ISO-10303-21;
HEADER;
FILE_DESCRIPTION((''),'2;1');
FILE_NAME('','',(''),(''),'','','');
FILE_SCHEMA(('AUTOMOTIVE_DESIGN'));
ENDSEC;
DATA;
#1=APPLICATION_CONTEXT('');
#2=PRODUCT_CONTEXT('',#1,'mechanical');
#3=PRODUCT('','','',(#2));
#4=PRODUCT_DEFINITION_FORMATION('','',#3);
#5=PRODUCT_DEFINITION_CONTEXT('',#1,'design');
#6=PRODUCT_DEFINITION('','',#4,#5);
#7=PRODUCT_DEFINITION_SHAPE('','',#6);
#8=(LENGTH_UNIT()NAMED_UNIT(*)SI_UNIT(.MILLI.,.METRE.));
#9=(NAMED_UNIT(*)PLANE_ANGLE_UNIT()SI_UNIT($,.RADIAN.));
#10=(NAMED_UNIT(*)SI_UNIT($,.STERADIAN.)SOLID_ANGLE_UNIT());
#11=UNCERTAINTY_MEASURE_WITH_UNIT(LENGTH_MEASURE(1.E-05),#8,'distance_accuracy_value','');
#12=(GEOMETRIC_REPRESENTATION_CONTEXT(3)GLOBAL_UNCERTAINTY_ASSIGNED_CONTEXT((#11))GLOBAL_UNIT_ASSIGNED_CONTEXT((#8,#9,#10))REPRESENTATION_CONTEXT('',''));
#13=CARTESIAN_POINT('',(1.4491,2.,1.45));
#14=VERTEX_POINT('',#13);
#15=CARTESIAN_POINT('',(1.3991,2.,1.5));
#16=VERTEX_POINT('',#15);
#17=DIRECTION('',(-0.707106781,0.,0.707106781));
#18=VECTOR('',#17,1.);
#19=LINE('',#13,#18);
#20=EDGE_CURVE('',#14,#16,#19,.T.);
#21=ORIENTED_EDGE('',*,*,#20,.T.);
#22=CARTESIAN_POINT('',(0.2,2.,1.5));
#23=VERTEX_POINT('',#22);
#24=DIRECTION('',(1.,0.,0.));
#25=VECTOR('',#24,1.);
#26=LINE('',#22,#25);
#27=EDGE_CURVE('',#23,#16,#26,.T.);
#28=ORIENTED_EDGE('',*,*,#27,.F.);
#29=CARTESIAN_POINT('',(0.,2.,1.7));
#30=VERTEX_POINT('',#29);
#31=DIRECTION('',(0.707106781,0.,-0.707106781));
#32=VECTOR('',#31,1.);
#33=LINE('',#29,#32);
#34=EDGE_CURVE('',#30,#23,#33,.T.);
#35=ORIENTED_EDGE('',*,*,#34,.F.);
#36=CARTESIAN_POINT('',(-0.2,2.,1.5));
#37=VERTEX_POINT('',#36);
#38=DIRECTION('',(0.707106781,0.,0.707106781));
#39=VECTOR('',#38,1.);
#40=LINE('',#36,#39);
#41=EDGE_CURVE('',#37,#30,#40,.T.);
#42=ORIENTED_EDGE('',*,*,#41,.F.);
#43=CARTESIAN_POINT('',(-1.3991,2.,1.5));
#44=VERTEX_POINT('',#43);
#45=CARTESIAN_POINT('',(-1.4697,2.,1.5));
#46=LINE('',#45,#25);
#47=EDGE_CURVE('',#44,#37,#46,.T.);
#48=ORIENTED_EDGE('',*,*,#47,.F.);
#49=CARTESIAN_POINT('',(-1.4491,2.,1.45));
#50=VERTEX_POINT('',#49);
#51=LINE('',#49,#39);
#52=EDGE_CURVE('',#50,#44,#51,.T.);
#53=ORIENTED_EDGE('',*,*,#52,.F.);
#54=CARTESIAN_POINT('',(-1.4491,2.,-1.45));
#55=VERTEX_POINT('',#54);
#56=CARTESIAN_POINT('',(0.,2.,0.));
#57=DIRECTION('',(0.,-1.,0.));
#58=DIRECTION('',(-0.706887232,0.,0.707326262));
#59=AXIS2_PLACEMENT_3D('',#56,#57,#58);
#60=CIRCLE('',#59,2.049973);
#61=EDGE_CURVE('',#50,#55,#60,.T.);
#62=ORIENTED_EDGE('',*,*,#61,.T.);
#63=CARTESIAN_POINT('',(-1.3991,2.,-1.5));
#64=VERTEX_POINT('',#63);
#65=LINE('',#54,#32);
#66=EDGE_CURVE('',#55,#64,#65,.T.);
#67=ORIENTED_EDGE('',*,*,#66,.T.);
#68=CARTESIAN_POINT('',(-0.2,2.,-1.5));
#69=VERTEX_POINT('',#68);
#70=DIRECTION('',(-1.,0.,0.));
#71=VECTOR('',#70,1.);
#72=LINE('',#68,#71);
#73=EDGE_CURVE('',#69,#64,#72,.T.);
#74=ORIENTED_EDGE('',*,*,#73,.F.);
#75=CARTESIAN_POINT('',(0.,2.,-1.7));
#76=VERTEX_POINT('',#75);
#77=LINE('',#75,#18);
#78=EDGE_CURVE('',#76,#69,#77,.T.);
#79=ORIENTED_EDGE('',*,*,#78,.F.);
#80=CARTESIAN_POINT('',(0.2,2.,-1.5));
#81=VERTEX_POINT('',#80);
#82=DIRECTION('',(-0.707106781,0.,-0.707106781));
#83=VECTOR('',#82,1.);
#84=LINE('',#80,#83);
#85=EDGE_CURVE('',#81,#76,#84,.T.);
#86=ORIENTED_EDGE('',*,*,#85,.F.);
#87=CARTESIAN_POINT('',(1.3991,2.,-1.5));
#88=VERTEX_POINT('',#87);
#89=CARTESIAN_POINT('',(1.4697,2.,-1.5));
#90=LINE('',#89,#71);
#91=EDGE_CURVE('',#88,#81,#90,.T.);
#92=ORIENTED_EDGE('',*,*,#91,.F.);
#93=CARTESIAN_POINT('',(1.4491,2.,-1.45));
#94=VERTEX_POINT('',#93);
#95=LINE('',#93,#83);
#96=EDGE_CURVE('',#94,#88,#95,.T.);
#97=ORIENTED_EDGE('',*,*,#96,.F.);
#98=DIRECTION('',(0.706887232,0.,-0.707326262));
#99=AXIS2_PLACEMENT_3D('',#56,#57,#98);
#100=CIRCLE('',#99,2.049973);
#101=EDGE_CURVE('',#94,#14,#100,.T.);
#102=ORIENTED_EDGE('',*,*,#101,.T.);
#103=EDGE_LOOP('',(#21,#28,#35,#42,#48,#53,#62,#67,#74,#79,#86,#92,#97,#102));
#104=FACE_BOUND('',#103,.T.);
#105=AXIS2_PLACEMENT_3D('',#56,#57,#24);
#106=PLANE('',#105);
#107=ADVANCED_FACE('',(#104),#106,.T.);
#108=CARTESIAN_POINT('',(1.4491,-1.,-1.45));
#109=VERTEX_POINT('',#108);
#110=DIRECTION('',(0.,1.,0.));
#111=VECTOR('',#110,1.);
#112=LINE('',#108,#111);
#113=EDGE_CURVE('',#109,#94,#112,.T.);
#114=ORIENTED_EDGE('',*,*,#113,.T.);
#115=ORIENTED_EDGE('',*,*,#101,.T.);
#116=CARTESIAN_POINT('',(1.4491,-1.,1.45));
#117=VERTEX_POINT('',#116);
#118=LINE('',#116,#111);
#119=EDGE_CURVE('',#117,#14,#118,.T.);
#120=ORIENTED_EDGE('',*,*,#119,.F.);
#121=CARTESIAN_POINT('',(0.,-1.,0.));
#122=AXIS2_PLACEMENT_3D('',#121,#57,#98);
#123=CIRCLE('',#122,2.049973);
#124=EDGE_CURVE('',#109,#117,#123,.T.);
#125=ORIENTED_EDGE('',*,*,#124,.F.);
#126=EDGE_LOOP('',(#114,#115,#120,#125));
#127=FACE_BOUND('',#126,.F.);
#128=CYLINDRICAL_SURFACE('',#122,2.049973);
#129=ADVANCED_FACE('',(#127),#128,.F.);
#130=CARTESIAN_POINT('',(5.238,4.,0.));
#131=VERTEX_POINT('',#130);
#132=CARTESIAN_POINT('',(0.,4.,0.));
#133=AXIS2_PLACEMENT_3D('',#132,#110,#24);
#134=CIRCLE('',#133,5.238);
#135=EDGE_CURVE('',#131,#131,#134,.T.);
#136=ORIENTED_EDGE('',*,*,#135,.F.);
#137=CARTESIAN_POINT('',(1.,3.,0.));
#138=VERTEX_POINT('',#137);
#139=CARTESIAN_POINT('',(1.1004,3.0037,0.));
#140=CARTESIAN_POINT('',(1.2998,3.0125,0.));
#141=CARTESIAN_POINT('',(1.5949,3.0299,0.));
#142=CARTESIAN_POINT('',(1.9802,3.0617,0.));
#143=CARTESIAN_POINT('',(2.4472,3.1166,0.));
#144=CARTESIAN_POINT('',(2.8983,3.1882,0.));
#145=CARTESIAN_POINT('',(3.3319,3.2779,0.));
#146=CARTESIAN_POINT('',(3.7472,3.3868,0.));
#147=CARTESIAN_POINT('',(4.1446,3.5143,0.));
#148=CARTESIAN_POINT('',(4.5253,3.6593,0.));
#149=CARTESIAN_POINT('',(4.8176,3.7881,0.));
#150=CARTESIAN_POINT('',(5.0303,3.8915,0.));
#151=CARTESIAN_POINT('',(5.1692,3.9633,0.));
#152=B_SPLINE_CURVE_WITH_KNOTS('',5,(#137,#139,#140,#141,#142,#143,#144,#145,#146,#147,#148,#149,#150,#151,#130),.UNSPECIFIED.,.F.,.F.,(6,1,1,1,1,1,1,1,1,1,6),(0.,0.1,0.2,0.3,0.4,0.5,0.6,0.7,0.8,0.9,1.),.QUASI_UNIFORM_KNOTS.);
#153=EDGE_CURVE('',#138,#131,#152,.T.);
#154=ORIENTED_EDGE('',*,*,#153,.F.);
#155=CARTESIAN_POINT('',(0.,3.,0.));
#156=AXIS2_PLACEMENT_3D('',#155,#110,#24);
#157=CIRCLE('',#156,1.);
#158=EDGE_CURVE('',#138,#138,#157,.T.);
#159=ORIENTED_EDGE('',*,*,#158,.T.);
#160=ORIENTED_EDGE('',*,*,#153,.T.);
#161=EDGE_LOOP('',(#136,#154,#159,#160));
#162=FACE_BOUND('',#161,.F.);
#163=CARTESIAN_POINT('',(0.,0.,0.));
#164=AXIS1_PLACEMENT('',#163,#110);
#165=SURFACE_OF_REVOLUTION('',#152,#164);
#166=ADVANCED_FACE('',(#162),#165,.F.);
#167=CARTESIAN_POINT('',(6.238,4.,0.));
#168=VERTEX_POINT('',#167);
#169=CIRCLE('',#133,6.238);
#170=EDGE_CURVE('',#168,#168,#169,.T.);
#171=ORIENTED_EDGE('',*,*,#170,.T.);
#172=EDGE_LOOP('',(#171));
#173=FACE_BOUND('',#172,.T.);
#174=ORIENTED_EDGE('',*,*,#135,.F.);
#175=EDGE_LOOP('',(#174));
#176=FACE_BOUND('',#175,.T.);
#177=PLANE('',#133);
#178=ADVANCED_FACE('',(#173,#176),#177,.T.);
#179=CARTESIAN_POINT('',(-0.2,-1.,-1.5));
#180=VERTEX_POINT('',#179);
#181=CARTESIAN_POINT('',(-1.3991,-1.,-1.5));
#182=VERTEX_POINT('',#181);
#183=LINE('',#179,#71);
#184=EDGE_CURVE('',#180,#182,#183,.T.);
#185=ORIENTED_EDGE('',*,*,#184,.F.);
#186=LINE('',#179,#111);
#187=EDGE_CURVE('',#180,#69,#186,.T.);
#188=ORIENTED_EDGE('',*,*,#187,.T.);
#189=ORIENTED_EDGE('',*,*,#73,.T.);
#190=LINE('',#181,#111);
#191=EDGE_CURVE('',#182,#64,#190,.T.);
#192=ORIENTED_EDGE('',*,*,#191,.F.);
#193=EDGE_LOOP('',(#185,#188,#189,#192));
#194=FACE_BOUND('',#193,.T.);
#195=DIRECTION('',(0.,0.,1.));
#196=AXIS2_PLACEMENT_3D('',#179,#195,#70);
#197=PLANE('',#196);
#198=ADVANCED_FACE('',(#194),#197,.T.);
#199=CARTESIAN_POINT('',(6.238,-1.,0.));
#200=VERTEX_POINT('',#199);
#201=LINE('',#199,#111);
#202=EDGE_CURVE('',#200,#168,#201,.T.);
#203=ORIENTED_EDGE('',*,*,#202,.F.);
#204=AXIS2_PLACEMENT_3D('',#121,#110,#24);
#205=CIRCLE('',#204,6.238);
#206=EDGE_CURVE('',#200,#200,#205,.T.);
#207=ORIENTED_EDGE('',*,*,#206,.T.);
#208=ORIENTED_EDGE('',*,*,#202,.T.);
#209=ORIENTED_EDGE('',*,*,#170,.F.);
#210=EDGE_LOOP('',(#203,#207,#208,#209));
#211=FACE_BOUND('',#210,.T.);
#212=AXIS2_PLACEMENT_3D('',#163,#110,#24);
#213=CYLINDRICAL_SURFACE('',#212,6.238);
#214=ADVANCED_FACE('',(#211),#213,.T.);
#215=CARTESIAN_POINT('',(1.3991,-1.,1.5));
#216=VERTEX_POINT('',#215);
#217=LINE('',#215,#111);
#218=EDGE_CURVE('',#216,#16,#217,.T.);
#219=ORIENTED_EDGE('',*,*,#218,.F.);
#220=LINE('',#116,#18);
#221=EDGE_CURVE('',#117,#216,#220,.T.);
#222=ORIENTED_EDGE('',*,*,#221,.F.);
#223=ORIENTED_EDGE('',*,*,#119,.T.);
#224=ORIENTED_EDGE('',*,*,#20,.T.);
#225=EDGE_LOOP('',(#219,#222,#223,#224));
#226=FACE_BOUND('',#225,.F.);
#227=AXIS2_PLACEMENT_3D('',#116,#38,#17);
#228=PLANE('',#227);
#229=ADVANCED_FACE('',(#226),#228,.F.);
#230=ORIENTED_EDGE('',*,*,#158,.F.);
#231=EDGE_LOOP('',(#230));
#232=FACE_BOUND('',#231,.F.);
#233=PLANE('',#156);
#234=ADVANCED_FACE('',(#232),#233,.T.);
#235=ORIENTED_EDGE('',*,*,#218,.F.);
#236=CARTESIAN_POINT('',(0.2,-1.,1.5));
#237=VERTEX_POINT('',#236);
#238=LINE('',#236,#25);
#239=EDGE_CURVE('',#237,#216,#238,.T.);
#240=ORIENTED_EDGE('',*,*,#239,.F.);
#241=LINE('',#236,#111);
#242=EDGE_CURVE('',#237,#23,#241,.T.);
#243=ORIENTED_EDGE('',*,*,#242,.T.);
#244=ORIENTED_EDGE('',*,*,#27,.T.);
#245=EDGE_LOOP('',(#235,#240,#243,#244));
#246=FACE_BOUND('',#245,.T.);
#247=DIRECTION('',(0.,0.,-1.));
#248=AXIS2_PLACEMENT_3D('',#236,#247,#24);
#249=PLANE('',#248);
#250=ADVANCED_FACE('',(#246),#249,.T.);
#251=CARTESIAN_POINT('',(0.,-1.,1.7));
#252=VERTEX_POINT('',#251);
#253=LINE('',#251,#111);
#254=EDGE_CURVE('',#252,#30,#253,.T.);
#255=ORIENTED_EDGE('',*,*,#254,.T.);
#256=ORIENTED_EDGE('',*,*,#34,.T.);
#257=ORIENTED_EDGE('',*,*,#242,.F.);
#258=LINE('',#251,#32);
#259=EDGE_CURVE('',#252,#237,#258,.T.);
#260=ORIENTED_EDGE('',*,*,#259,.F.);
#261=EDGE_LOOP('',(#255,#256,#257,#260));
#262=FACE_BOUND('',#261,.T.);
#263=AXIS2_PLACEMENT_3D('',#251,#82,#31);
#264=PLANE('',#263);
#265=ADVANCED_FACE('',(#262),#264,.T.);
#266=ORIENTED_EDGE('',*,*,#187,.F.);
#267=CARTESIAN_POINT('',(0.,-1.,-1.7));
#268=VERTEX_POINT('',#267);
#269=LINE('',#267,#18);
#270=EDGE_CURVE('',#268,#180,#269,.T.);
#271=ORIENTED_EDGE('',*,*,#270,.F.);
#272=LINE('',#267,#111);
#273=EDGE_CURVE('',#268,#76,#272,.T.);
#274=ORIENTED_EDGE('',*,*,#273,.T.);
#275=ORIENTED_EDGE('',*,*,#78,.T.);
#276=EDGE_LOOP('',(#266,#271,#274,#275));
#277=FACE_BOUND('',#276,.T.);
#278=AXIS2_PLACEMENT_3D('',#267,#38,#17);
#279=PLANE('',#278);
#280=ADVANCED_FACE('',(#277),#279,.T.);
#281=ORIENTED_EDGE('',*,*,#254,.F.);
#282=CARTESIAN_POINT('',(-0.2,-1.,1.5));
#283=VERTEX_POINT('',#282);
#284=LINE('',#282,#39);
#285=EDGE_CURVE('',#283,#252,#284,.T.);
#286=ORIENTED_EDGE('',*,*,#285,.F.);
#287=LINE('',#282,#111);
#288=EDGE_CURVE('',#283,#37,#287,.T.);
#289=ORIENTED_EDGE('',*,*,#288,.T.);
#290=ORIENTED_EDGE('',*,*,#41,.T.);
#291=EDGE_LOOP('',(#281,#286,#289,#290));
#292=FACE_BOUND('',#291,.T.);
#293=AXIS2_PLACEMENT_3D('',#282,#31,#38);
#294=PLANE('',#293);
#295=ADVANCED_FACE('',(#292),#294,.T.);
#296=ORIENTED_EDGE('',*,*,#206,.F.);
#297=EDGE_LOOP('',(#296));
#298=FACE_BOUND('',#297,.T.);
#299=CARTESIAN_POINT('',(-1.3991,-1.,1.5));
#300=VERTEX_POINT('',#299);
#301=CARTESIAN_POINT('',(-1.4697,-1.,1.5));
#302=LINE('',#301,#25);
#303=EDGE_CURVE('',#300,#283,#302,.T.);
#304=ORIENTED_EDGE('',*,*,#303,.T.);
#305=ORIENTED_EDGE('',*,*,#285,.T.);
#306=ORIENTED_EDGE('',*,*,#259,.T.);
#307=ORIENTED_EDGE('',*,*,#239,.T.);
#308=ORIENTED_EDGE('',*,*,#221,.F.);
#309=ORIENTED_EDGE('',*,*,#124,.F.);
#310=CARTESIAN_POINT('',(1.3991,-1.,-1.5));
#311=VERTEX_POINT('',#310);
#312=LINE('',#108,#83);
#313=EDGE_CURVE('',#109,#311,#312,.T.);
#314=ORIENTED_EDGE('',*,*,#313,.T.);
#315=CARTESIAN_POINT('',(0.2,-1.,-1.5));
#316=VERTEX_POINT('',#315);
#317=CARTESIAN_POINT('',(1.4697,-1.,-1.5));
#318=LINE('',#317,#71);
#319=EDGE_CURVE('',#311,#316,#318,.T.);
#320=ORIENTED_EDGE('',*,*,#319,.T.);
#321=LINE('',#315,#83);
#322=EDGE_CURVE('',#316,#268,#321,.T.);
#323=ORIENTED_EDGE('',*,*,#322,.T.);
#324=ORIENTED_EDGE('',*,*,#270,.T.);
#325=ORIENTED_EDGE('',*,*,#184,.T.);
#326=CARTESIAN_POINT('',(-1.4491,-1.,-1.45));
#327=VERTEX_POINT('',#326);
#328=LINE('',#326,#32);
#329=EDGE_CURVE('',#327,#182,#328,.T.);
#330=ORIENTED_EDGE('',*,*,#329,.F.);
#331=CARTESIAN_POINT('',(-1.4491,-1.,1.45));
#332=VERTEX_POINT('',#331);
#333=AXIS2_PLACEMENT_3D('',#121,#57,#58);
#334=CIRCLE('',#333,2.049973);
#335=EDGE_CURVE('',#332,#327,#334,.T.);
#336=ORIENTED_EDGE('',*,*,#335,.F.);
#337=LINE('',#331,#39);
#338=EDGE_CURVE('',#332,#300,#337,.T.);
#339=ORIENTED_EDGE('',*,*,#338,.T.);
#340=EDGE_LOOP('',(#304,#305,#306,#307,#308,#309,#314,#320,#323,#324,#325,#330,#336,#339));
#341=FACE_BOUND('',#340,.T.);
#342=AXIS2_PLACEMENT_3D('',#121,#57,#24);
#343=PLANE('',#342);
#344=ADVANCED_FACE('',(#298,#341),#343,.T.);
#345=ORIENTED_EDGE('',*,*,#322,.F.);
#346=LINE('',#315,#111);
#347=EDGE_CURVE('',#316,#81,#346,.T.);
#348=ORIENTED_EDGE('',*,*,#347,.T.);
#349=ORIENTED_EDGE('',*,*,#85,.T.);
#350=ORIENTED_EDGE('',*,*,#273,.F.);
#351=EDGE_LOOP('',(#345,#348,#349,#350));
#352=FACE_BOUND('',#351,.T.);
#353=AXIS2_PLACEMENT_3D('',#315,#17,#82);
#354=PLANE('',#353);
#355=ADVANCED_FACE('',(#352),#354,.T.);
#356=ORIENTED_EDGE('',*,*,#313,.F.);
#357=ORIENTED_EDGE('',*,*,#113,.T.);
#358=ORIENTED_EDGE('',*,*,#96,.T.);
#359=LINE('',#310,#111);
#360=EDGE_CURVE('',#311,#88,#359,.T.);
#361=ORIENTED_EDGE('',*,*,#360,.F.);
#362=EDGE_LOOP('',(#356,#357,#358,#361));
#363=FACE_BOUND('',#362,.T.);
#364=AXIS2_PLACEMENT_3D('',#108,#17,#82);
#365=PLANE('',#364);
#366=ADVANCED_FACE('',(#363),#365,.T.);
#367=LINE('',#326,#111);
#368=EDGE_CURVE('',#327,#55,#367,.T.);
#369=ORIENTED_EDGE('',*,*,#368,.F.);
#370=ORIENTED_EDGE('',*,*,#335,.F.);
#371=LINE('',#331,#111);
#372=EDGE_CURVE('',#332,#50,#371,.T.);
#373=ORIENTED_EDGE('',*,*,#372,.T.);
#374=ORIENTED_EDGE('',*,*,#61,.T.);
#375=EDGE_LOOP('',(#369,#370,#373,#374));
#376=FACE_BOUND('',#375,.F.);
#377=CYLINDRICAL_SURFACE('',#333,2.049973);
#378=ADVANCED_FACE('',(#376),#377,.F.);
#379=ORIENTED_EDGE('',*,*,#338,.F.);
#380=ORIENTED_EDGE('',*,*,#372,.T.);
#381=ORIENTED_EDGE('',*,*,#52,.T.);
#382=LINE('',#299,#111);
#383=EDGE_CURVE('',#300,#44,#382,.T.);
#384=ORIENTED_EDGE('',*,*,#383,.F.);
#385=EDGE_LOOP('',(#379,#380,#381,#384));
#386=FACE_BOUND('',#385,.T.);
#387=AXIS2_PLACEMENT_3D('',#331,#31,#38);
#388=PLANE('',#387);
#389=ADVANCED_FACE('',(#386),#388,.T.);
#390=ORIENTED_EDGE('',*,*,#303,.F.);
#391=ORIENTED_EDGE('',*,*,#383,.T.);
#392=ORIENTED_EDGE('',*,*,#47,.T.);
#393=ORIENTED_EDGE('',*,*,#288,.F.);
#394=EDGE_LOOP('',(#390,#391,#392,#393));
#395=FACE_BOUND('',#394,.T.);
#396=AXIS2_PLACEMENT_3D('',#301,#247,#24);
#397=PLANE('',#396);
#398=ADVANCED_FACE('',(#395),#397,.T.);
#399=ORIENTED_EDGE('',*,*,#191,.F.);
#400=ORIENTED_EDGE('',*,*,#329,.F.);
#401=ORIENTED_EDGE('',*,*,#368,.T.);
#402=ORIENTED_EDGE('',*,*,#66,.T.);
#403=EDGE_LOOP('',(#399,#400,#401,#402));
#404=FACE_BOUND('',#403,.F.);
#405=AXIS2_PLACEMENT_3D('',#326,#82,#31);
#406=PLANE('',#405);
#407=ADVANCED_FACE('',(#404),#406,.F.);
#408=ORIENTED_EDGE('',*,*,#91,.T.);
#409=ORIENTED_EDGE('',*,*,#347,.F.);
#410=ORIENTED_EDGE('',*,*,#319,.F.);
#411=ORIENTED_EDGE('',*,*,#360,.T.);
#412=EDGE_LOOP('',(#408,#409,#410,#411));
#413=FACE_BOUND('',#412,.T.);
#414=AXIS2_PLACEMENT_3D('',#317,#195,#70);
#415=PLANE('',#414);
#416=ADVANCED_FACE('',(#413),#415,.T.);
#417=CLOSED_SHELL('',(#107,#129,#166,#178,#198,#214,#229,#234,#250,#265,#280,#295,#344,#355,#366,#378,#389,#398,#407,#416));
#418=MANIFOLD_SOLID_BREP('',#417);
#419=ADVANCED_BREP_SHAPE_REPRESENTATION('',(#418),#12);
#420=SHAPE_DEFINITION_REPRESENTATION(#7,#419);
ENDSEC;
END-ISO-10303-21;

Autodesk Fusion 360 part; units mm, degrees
sketch "スケッチ1" plane through (0, 0, 0) normal (0, 0, 1) x (1, 0, 0)
  line L0 (0, 0) -> (0.238, 0)
  line L1 (0.238, 0) -> (6.238, 0)
  line L2 (6.238, 0) -> (6.238, 4)
  line L3 (0, 0) -> (0, 3)
  line L4 (0, 3) -> (1, 3)
  line L5 (6.238, 4) -> (5.238, 4)
  spline S0 degree 5 poles (1, 3) (1.1004, 3.0037) (1.2998, 3.0125) (1.5949, 3.0299) (1.9802, 3.0617) (2.4472, 3.1166) (2.8983, 3.1882) (3.3319, 3.2779) (3.7472, 3.3868) (4.1446, 3.5143) (4.5253, 3.6593) (4.8176, 3.7881) (5.0303, 3.8915) (5.1692, 3.9633) (5.238, 4) knots 0 0 0 0 0 0 0.1 0.2 0.3 0.4 0.5 0.6 0.7 0.8 0.9 1 1 1 1 1 1
  point P0 (3.4, 3.3)
  dimension "d1" = 6
  dimension "d2" = 4
  dimension "d3" = 3
  dimension "d4" = 1
revolve "回転1" add sketch "スケッチ1" angle 360 about axis through (0, 0, 0) along (0, 1, 0)
sketch "スケッチ2" plane through (0, 0, 0) normal (0, -1, 0) x (1, 0, 0)
  circle A0 centre (0, 0) radius 6.238
  circle A1 centre (0, 0) radius 2.1
  line L0 (0, 0) -> (0, 1.5)
  line L1 (0, 1.5) -> (1.4697, 1.5)
  line L2 (0, 1.5) -> (-1.4697, 1.5)
  line L3 (0, 0) -> (0, -1.5)
  line L4 (0, -1.5) -> (1.4697, -1.5)
  line L5 (0, -1.5) -> (-1.4697, -1.5)
  dimension "d6" = 4.2
  dimension "d7" = 1.5
  dimension "d8" = 1.5
extrude "押し出し1" cut sketch "スケッチ2" against normal blind 2 contours A1 L0 L1 L3 L4 | A1 L0 L2 L3 L5
sketch "スケッチ3" plane through (0, 0, 0) normal (0, -1, 0) x (1, 0, 0)
  line L0 (-1.4697, 1.5) -> (1.4697, 1.5)
  arc A0 (1.4697, -1.5) -> (1.4697, 1.5) centre (0, 0) ccw
  line L1 (1.4697, -1.5) -> (-1.4697, -1.5)
  arc A1 (-1.4697, 1.5) -> (-1.4697, -1.5) centre (0, 0) ccw
  circle A2 centre (0, 0) radius 6.238
  line L2 (0, 1.5) -> (0.2, 1.5)
  line L3 (0, 1.5) -> (-0.2, 1.5)
  line L4 (0, 1.5) -> (0, 1.7)
  line L5 (-0.2, 1.5) -> (0, 1.7)
  line L6 (0, 1.7) -> (0.2, 1.5)
  line L7 (0, -1.5) -> (0.2, -1.5)
  line L8 (0, -1.5) -> (-0.2, -1.5)
  line L9 (0, -1.5) -> (0, -1.7)
  line L10 (0, -1.7) -> (0.2, -1.5)
  line L11 (-0.2, -1.5) -> (0, -1.7)
  dimension "d11" = 0.2
  dimension "d12" = 0.2
  dimension "d13" = 0.2
  dimension "d14" = 0.2
  dimension "d15" = 0.2
  dimension "d16" = 0.2
extrude "押し出し2" cut sketch "スケッチ3" against normal blind 2 contours L0 L3 L4 L5 | L0 L2 L4 L6 | L1 L8 L9 L11 | L1 L7 L9 L10
sketch "スケッチ4" plane through (0, 0, 0) normal (0, -1, 0) x (1, 0, 0)
  line L0 (0, 1.7) -> (0.2, 1.5)
  line L1 (0.2, 1.5) -> (1.4697, 1.5)
  arc A0 (1.4697, -1.5) -> (1.4697, 1.5) centre (0, 0) ccw
  line L2 (1.4697, -1.5) -> (0.2, -1.5)
  line L3 (0.2, -1.5) -> (0, -1.7)
  line L4 (0, -1.7) -> (-0.2, -1.5)
  line L5 (-0.2, -1.5) -> (-1.4697, -1.5)
  arc A1 (-1.4697, 1.5) -> (-1.4697, -1.5) centre (0, 0) ccw
  line L6 (-1.4697, 1.5) -> (-0.2, 1.5)
  line L7 (-0.2, 1.5) -> (0, 1.7)
  circle A2 centre (0, 0) radius 6.238
  line L8 (0, 1.5586) -> (0.1586, 1.4)
  line L9 (0.1586, 1.4) -> (1.4283, 1.4)
  arc A3 (1.4283, -1.4) -> (1.4283, 1.4) centre (0, 0) ccw
  line L10 (1.4283, -1.4) -> (0.1586, -1.4)
  line L11 (0.1586, -1.4) -> (0, -1.5586)
  line L12 (0, -1.5586) -> (-0.1586, -1.4)
  line L13 (-0.1586, -1.4) -> (-1.4283, -1.4)
  arc A4 (-1.4283, 1.4) -> (-1.4283, -1.4) centre (0, 0) ccw
  line L14 (-1.4283, 1.4) -> (-0.1586, 1.4)
  line L15 (-0.1586, 1.4) -> (0, 1.5586)
  dimension "d19" = 0.1
extrude "押し出し3" add sketch "スケッチ4" against normal blind 2 contours L0 L1 A0 L2 L3 L4 L5 A1 L6 L7
extrude "押し出し4" add 1 faces at (0.9388, 0, -3.0134) along direction (0, -1, 0) blind 1
sketch "スケッチ5" plane through (0, -1, 0) normal (0, -1, 0) x (1, 0, 0)
  arc A0 (-1.4283, 1.4) -> (-1.4283, -1.4) centre (0, 0) ccw
  line L0 (-1.4283, 1.4) -> (-0.1586, 1.4)
  line L1 (-0.1586, 1.4) -> (0, 1.5586)
  line L2 (0, 1.5586) -> (0.1586, 1.4)
  line L3 (0.1586, 1.4) -> (1.4283, 1.4)
  arc A1 (1.4283, -1.4) -> (1.4283, 1.4) centre (0, 0) ccw
  line L4 (1.4283, -1.4) -> (0.1586, -1.4)
  line L5 (0.1586, -1.4) -> (0, -1.5586)
  line L6 (0, -1.5586) -> (-0.1586, -1.4)
  line L7 (-0.1586, -1.4) -> (-1.4283, -1.4)
  circle A2 centre (0, 0) radius 6.238
  line L8 (0, 1.7) -> (0.2, 1.5)
  line L9 (0.2, 1.5) -> (1.4697, 1.5)
  arc A3 (1.4697, -1.5) -> (1.4697, 1.5) centre (0, 0) ccw
  line L10 (1.4697, -1.5) -> (0.2, -1.5)
  line L11 (0.2, -1.5) -> (0, -1.7)
  line L12 (0, -1.7) -> (-0.2, -1.5)
  line L13 (-0.2, -1.5) -> (-1.4697, -1.5)
  arc A4 (-1.4697, 1.5) -> (-1.4697, -1.5) centre (0, 0) ccw
  line L14 (-1.4697, 1.5) -> (-0.2, 1.5)
  line L15 (-0.2, 1.5) -> (0, 1.7)
  dimension "d24" = -0.1
extrude "押し出し5" cut sketch "スケッチ5" against normal blind 3 contours L8 L9 A3 L10 L11 L12 L13 A4 L14 L15
sketch "スケッチ6" plane through (0, -1, 0) normal (0, -1, 0) x (1, 0, 0)
  line L0 (-0.2, -1.5) -> (-1.4697, -1.5)
  arc A0 (-1.4697, 1.5) -> (-1.4697, -1.5) centre (0, 0) ccw
  line L1 (-1.4697, 1.5) -> (-0.2, 1.5)
  line L2 (-0.2, 1.5) -> (0, 1.7)
  line L3 (0, 1.7) -> (0.2, 1.5)
  line L4 (0.2, 1.5) -> (1.4697, 1.5)
  arc A1 (1.4697, -1.5) -> (1.4697, 1.5) centre (0, 0) ccw
  line L5 (1.4697, -1.5) -> (0.2, -1.5)
  line L6 (0.2, -1.5) -> (0, -1.7)
  line L7 (0, -1.7) -> (-0.2, -1.5)
  circle A2 centre (0, 0) radius 6.238
  line L8 (-0.1793, -1.45) -> (-1.4491, -1.45)
  arc A3 (-1.4491, 1.45) -> (-1.4491, -1.45) centre (0, 0) ccw
  line L9 (-1.4491, 1.45) -> (-0.1793, 1.45)
  line L10 (-0.1793, 1.45) -> (0, 1.6293)
  line L11 (0, 1.6293) -> (0.1793, 1.45)
  line L12 (0.1793, 1.45) -> (1.4491, 1.45)
  arc A4 (1.4491, -1.45) -> (1.4491, 1.45) centre (0, 0) ccw
  line L13 (1.4491, -1.45) -> (0.1793, -1.45)
  line L14 (0.1793, -1.45) -> (0, -1.6293)
  line L15 (0, -1.6293) -> (-0.1793, -1.45)
  line L16 (-1.4491, 1.45) -> (-1.3991, 1.5)
  line L17 (-1.4491, -1.45) -> (-1.3991, -1.5)
  line L18 (1.4491, -1.45) -> (1.3991, -1.5)
  line L19 (1.4491, 1.45) -> (1.3991, 1.5)
  dimension "d27" = -0.05
extrude "押し出し6" add sketch "スケッチ6" against normal blind 3 contours L0 A0 L1 A3 L16 L17 | L4 A1 L5 A4 L18 L19
